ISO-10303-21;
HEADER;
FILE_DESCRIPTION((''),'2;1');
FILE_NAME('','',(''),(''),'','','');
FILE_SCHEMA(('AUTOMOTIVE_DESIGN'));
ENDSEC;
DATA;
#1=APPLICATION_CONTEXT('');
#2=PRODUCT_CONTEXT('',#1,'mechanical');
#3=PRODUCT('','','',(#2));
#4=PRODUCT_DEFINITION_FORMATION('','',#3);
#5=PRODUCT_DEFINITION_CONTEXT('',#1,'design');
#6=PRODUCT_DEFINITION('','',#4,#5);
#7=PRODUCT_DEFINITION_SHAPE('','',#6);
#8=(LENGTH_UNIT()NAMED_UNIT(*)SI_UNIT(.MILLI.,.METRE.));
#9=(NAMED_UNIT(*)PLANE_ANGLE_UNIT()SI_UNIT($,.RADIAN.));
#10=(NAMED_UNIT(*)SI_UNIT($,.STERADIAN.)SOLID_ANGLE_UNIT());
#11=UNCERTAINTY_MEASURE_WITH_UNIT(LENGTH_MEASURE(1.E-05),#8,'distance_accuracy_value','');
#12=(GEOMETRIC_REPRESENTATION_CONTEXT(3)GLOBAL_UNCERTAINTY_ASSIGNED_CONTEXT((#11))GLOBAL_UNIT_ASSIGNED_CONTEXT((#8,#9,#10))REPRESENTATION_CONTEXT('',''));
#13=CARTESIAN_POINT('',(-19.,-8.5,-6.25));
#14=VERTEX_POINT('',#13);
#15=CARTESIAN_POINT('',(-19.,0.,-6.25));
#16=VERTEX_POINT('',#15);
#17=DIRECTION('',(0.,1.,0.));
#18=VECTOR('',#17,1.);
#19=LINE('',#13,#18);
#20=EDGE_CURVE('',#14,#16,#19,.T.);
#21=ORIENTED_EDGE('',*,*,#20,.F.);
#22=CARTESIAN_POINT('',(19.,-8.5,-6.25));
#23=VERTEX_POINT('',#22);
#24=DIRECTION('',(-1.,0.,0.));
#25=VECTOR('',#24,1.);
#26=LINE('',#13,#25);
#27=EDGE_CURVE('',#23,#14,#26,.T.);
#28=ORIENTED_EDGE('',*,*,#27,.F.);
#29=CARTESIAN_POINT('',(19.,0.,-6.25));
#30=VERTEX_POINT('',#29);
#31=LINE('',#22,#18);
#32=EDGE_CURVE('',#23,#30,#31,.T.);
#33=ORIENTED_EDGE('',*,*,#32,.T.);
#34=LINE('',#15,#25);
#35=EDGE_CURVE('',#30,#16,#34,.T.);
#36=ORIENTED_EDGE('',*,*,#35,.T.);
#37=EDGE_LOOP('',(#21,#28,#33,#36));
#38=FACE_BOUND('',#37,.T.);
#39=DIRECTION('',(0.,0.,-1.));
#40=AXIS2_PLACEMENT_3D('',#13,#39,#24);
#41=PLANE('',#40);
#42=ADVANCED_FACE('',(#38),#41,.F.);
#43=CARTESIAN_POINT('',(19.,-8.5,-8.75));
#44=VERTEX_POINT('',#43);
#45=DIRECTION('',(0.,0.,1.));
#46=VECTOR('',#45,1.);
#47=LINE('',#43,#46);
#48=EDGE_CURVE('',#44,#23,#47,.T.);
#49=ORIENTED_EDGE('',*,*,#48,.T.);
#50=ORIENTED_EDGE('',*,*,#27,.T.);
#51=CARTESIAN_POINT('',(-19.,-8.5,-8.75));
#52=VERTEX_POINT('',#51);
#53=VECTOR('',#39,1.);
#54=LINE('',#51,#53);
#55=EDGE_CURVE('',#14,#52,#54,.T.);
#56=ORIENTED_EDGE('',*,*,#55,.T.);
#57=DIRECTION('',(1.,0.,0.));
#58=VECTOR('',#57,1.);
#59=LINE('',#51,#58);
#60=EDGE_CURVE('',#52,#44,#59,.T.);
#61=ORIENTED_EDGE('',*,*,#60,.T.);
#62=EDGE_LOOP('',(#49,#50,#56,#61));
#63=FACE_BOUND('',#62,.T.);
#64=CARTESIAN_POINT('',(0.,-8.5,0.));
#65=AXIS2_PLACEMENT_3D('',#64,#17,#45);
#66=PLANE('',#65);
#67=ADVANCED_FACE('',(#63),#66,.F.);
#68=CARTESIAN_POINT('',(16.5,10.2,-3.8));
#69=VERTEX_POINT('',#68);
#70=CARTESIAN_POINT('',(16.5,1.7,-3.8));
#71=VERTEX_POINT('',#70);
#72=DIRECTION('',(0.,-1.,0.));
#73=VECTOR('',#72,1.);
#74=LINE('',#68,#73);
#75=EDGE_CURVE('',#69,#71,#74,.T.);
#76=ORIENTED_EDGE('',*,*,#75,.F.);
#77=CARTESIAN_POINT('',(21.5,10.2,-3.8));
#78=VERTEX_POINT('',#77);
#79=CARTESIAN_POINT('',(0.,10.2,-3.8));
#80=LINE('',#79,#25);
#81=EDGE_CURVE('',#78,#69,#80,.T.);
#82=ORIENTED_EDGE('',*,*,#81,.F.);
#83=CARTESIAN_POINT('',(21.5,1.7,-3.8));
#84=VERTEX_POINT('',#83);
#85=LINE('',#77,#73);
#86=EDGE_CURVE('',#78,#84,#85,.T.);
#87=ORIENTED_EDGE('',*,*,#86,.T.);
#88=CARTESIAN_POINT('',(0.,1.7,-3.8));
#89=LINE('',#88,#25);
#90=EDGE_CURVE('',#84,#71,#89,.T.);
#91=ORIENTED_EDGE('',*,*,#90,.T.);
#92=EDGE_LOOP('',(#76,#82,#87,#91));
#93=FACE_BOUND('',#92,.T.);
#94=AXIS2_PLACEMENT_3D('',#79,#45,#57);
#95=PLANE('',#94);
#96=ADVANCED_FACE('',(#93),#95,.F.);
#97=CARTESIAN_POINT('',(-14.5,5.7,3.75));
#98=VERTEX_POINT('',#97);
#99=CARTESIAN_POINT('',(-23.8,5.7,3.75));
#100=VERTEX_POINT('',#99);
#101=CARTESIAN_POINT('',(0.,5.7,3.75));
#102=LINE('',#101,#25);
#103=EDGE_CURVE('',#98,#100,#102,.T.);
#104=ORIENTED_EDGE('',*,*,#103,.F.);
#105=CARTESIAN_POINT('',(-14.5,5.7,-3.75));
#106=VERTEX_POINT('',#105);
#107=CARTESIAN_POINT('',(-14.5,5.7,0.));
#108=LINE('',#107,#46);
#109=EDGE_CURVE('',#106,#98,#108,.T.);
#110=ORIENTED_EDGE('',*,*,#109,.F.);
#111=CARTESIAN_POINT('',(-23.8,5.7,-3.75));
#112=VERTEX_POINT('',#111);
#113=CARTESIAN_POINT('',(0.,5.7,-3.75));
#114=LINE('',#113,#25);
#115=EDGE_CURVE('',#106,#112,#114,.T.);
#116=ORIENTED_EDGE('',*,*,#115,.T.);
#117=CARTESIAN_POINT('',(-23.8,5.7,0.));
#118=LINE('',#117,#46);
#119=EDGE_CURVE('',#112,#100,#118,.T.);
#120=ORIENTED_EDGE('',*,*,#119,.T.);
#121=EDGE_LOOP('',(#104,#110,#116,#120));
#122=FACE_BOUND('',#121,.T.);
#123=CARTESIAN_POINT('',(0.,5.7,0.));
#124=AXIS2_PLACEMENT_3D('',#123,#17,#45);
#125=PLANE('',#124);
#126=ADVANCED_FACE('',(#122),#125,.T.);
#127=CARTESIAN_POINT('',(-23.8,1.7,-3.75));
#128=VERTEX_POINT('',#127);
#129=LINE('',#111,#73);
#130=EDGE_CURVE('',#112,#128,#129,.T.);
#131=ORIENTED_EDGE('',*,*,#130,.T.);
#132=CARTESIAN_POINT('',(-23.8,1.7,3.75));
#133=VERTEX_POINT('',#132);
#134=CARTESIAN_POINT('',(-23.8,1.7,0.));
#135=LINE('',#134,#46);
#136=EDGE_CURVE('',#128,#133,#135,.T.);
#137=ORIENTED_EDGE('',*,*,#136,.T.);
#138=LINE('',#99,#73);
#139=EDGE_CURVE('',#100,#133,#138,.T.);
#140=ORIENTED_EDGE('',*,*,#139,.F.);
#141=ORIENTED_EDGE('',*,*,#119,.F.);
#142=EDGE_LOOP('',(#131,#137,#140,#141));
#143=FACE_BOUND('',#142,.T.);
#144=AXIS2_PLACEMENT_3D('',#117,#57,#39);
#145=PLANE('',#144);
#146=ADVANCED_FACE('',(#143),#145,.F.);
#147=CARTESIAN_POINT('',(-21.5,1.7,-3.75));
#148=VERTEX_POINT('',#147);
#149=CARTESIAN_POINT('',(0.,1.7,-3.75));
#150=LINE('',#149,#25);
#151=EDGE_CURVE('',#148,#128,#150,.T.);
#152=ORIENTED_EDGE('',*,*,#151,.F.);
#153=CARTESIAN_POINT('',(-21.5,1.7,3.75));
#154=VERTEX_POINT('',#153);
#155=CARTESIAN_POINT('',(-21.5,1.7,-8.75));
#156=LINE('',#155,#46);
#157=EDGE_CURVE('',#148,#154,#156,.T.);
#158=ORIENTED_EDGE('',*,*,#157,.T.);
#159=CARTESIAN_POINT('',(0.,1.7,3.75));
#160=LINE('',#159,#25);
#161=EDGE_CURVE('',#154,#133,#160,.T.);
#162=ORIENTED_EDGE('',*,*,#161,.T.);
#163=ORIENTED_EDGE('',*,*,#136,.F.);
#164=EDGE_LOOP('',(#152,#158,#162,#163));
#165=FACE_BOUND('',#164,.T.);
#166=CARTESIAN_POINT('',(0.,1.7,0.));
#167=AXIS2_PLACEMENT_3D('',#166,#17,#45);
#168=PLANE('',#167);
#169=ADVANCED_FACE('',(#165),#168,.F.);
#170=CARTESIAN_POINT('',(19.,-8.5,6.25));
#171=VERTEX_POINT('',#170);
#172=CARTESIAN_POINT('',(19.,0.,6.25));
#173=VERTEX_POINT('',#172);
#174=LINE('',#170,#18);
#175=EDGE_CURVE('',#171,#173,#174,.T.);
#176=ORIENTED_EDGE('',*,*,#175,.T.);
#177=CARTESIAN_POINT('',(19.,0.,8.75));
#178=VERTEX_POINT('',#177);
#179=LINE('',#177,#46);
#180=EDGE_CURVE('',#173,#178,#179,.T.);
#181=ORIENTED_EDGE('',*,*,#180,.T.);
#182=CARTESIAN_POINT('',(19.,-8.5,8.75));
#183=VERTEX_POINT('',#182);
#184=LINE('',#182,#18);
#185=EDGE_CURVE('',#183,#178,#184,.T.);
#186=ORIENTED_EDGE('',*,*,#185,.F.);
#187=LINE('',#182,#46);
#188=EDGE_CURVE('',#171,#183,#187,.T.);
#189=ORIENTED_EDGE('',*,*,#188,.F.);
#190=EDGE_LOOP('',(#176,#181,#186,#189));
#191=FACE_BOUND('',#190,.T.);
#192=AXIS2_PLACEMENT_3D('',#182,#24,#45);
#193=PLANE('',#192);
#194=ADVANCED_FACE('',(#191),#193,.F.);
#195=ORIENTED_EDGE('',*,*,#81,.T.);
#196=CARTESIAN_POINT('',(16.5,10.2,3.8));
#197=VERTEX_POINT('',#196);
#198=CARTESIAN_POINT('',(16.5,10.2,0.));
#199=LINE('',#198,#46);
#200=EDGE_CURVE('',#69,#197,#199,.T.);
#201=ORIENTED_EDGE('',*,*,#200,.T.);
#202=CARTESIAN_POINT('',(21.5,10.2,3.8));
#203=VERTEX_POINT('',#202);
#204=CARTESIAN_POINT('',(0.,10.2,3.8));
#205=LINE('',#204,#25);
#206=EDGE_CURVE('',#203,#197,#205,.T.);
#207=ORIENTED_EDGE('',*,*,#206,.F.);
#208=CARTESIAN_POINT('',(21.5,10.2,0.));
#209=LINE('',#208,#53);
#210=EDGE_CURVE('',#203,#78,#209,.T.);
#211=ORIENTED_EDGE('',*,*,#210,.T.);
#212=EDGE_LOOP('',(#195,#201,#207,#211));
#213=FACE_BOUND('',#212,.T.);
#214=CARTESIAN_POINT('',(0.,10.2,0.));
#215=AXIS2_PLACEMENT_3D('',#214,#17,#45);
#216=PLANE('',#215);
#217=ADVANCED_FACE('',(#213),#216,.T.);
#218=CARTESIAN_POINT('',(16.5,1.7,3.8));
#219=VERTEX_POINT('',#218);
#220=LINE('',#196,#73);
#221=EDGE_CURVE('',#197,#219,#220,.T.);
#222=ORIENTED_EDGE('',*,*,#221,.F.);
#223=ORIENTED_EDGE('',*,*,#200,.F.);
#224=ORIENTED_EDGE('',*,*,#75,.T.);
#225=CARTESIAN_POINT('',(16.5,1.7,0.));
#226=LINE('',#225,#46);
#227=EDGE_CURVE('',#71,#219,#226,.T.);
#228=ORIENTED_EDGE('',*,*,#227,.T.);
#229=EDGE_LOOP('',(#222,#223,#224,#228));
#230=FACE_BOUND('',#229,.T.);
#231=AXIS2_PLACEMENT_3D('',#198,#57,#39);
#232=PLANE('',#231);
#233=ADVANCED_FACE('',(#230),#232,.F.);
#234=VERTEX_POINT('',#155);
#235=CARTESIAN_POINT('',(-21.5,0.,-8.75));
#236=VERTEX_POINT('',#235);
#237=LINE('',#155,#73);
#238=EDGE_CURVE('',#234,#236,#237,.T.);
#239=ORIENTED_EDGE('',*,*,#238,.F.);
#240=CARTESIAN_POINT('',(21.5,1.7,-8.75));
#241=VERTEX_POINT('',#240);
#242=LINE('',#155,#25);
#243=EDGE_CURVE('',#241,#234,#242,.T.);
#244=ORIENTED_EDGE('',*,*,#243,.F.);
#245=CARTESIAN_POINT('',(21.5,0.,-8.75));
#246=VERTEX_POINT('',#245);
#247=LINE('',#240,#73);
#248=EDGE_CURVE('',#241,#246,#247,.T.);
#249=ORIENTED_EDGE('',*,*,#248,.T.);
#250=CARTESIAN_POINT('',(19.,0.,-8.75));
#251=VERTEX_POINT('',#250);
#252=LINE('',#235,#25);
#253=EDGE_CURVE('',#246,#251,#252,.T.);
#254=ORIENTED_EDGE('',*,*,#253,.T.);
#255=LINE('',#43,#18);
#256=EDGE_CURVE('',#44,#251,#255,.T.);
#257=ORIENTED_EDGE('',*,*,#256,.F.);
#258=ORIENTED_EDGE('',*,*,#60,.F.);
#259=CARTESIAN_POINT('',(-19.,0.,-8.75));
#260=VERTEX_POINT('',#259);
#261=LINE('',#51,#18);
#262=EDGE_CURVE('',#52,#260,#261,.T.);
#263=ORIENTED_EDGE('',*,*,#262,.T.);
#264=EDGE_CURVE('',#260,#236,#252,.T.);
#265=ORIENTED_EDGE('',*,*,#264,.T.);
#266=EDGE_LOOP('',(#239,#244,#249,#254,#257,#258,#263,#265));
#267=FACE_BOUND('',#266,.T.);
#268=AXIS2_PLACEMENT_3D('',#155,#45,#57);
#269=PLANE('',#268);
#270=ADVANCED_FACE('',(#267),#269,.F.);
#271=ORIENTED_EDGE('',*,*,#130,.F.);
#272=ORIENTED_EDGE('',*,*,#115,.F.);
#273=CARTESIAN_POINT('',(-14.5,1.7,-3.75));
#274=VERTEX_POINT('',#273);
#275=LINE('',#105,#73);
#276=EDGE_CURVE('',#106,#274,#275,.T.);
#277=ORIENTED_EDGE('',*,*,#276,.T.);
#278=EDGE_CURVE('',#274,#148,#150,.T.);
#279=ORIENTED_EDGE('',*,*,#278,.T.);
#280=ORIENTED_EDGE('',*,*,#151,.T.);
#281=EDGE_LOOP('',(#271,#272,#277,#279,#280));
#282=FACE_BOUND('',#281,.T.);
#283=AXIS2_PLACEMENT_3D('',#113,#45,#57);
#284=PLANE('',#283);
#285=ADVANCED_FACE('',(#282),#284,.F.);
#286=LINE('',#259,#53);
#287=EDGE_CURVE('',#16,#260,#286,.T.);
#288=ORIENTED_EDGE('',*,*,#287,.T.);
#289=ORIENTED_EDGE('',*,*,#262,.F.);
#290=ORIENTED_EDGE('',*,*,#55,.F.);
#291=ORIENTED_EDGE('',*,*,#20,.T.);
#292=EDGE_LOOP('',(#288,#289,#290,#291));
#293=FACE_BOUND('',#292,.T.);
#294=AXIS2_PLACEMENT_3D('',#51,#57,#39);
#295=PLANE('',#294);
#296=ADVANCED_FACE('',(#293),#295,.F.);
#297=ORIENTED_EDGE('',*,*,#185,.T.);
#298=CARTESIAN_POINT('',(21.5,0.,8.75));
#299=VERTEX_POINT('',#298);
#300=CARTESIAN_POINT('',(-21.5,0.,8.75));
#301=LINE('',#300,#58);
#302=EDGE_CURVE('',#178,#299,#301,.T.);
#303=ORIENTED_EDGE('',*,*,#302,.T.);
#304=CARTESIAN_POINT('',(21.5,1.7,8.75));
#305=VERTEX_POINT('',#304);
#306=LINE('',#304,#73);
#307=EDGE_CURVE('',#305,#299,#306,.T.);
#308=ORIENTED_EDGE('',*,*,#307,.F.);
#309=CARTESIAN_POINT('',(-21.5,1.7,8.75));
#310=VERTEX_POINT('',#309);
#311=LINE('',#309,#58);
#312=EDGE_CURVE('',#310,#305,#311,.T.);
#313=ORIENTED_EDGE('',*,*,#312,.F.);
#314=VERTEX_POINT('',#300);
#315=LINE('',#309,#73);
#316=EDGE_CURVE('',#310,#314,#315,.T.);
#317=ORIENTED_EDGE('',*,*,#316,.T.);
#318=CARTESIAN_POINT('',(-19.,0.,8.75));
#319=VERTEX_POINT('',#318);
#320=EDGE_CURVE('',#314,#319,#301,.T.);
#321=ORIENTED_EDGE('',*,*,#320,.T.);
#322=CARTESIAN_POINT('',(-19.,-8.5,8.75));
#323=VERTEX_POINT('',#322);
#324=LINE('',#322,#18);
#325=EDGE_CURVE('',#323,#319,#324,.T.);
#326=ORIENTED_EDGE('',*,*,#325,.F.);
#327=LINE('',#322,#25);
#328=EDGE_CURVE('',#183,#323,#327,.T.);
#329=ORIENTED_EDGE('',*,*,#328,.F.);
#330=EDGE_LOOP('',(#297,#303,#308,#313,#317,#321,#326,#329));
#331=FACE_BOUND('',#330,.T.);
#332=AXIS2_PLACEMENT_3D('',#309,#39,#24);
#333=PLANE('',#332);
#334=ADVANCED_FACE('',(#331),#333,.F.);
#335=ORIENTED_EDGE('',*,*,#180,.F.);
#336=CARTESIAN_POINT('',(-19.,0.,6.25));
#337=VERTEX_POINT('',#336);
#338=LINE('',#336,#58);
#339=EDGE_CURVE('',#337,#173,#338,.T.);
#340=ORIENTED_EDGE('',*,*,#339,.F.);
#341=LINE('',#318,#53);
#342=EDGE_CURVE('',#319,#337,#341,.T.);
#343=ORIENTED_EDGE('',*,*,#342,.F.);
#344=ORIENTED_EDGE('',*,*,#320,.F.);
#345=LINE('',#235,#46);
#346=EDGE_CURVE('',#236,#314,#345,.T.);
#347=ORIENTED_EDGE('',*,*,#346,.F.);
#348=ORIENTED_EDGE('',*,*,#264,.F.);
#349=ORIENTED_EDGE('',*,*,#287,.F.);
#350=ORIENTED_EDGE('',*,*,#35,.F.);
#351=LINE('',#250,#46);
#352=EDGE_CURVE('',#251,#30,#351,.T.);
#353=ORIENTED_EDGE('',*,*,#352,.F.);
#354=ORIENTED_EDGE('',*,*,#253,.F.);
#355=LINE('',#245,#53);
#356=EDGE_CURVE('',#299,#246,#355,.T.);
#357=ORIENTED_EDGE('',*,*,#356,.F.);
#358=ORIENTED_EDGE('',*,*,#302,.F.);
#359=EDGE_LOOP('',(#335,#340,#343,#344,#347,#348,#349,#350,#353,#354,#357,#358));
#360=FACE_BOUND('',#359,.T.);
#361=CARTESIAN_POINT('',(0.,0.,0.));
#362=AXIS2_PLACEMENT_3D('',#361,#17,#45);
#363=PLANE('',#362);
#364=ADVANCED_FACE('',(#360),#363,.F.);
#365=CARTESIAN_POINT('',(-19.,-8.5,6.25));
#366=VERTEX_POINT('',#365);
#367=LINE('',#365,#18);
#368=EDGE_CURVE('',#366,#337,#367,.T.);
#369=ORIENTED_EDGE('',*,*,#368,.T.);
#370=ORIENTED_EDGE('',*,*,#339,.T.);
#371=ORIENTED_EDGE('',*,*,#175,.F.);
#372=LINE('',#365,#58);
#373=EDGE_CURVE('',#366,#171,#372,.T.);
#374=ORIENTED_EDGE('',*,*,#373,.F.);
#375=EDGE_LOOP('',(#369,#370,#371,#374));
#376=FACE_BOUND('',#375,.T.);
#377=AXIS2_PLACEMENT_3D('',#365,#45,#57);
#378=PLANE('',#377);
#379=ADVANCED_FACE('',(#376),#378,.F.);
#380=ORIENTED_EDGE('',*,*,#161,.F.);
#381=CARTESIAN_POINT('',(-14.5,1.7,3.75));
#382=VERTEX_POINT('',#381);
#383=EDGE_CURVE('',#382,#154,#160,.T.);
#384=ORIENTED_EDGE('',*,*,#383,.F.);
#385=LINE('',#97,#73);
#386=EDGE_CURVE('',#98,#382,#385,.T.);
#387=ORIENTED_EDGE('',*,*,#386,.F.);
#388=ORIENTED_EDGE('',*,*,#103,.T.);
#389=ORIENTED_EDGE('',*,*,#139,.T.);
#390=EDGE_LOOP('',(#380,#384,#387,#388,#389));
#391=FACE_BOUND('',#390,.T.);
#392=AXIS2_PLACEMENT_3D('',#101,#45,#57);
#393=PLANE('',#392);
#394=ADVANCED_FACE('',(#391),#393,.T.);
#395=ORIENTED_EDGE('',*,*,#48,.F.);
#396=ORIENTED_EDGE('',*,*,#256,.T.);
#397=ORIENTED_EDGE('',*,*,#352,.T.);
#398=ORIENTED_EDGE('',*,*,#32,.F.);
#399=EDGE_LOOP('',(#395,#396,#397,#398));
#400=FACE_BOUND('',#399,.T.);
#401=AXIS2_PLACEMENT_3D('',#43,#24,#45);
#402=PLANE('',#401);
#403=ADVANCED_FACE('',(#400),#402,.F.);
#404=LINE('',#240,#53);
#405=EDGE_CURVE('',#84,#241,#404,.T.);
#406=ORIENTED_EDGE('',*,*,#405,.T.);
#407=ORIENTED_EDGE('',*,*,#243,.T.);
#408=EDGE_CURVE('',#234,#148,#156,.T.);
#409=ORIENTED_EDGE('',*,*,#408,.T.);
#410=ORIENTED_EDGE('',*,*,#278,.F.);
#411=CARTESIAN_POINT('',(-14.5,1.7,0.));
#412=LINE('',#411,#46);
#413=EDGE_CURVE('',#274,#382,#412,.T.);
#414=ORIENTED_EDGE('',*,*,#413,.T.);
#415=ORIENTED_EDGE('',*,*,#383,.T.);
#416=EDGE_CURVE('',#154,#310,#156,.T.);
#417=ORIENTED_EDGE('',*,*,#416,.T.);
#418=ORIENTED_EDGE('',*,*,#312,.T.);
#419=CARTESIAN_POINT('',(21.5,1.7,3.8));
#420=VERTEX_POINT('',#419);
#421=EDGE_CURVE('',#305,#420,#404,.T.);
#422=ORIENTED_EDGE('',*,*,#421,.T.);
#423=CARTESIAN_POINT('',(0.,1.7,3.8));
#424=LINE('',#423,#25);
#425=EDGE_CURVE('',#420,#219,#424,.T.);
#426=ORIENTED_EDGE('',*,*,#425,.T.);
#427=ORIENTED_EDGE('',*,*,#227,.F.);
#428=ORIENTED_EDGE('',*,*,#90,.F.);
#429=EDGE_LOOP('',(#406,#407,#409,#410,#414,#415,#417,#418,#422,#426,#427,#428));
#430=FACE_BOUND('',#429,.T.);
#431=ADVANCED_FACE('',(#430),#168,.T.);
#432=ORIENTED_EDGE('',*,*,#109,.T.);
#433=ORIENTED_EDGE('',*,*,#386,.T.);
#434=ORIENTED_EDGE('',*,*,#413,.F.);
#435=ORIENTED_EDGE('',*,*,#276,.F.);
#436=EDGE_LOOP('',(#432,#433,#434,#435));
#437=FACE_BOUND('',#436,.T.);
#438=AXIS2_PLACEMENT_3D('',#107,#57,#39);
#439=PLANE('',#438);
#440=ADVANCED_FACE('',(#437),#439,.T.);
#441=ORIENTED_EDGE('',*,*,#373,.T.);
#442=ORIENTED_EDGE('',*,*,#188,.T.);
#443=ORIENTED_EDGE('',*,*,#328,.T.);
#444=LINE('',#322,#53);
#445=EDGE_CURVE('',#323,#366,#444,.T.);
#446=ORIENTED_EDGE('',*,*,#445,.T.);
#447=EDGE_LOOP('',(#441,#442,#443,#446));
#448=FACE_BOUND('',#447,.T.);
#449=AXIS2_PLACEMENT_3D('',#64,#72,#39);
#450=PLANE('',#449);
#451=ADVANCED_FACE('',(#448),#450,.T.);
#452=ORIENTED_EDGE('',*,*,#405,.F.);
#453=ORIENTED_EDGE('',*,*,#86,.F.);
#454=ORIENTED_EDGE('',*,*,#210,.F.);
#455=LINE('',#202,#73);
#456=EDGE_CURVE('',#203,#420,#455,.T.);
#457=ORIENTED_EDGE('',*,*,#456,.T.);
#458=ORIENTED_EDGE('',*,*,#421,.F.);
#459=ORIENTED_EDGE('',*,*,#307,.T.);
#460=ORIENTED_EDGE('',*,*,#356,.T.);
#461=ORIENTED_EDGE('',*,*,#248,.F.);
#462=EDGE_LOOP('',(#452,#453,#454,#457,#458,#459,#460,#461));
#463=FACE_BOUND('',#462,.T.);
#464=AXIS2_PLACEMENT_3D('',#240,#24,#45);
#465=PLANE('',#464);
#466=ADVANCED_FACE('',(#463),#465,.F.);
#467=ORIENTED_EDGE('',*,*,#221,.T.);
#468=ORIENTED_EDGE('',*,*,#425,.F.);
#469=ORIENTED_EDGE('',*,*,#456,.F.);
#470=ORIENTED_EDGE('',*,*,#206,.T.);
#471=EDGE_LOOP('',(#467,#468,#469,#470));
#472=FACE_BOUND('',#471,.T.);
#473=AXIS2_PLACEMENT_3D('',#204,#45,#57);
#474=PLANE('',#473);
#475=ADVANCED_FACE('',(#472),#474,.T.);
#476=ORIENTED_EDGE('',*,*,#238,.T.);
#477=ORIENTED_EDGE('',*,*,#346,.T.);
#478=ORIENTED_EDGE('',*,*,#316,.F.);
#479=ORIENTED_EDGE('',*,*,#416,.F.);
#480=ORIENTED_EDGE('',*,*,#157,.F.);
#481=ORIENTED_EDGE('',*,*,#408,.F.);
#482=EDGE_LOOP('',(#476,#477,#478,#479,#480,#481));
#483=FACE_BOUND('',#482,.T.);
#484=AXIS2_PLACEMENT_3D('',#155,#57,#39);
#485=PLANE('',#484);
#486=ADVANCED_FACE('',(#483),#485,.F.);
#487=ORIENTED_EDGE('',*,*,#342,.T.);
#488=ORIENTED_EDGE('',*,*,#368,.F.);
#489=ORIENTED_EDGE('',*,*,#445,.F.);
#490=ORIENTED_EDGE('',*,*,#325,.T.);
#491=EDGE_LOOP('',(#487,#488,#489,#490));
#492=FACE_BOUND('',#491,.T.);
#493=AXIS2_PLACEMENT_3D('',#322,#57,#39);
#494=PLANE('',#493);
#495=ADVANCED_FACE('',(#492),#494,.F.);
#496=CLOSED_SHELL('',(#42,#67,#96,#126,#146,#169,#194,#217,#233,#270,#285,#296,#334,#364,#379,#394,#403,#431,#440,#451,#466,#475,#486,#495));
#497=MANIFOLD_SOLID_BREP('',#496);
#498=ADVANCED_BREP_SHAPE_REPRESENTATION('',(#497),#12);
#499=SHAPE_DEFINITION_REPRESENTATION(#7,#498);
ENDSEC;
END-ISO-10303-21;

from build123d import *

# Parameters (mm, degrees)
SKETCH_1_W      = 43
SKETCH_1_H      = 17.5
EXTRUDE_1_DEPTH = 1.7
SKETCH_2_W      = 5
SKETCH_2_H      = 7.6
EXTRUDE_2_DEPTH = 8.5
SKETCH_2_3_W    = 9.3
SKETCH_2_3_H    = 7.5
EXTRUDE_3_DEPTH = 4
SKETCH_4_W      = 38
SKETCH_4_H      = 2.5
EXTRUDE_4_DEPTH = 8.5


with BuildPart() as part:
    # Эскиз1 → Бобышка-Вытянуть1 (new body)
    with BuildSketch(Plane(origin=(0, 0, 0), x_dir=(1, 0, 0), z_dir=(0, 1, 0))):
        Rectangle(SKETCH_1_W, SKETCH_1_H)
    extrude(amount=EXTRUDE_1_DEPTH)

    # Эскиз2 → Бобышка-Вытянуть2 (add)
    with BuildSketch(Plane(origin=(0, 1.7, 0), x_dir=(1, 0, 0), z_dir=(0, 1, 0))):
        with Locations((19, 0)):
            Rectangle(SKETCH_2_W, SKETCH_2_H)
    extrude(amount=EXTRUDE_2_DEPTH)

    # Эскиз2<3> → Бобышка-Вытянуть3 (add)
    with BuildSketch(Plane(origin=(0, 1.7, 0), x_dir=(1, 0, 0), z_dir=(0, 1, 0))):
        with Locations((-19.15, 0)):
            Rectangle(SKETCH_2_3_W, SKETCH_2_3_H)
    extrude(amount=EXTRUDE_3_DEPTH)

    # Эскиз4 → Бобышка-Вытянуть4 (add)
    with BuildSketch(Plane.XZ):
        with Locations((0, 7.5)):
            Rectangle(SKETCH_4_W, SKETCH_4_H)
        with Locations((0, -7.5)):
            Rectangle(SKETCH_4_W, SKETCH_4_H)
    extrude(amount=EXTRUDE_4_DEPTH)


solid = part.part
